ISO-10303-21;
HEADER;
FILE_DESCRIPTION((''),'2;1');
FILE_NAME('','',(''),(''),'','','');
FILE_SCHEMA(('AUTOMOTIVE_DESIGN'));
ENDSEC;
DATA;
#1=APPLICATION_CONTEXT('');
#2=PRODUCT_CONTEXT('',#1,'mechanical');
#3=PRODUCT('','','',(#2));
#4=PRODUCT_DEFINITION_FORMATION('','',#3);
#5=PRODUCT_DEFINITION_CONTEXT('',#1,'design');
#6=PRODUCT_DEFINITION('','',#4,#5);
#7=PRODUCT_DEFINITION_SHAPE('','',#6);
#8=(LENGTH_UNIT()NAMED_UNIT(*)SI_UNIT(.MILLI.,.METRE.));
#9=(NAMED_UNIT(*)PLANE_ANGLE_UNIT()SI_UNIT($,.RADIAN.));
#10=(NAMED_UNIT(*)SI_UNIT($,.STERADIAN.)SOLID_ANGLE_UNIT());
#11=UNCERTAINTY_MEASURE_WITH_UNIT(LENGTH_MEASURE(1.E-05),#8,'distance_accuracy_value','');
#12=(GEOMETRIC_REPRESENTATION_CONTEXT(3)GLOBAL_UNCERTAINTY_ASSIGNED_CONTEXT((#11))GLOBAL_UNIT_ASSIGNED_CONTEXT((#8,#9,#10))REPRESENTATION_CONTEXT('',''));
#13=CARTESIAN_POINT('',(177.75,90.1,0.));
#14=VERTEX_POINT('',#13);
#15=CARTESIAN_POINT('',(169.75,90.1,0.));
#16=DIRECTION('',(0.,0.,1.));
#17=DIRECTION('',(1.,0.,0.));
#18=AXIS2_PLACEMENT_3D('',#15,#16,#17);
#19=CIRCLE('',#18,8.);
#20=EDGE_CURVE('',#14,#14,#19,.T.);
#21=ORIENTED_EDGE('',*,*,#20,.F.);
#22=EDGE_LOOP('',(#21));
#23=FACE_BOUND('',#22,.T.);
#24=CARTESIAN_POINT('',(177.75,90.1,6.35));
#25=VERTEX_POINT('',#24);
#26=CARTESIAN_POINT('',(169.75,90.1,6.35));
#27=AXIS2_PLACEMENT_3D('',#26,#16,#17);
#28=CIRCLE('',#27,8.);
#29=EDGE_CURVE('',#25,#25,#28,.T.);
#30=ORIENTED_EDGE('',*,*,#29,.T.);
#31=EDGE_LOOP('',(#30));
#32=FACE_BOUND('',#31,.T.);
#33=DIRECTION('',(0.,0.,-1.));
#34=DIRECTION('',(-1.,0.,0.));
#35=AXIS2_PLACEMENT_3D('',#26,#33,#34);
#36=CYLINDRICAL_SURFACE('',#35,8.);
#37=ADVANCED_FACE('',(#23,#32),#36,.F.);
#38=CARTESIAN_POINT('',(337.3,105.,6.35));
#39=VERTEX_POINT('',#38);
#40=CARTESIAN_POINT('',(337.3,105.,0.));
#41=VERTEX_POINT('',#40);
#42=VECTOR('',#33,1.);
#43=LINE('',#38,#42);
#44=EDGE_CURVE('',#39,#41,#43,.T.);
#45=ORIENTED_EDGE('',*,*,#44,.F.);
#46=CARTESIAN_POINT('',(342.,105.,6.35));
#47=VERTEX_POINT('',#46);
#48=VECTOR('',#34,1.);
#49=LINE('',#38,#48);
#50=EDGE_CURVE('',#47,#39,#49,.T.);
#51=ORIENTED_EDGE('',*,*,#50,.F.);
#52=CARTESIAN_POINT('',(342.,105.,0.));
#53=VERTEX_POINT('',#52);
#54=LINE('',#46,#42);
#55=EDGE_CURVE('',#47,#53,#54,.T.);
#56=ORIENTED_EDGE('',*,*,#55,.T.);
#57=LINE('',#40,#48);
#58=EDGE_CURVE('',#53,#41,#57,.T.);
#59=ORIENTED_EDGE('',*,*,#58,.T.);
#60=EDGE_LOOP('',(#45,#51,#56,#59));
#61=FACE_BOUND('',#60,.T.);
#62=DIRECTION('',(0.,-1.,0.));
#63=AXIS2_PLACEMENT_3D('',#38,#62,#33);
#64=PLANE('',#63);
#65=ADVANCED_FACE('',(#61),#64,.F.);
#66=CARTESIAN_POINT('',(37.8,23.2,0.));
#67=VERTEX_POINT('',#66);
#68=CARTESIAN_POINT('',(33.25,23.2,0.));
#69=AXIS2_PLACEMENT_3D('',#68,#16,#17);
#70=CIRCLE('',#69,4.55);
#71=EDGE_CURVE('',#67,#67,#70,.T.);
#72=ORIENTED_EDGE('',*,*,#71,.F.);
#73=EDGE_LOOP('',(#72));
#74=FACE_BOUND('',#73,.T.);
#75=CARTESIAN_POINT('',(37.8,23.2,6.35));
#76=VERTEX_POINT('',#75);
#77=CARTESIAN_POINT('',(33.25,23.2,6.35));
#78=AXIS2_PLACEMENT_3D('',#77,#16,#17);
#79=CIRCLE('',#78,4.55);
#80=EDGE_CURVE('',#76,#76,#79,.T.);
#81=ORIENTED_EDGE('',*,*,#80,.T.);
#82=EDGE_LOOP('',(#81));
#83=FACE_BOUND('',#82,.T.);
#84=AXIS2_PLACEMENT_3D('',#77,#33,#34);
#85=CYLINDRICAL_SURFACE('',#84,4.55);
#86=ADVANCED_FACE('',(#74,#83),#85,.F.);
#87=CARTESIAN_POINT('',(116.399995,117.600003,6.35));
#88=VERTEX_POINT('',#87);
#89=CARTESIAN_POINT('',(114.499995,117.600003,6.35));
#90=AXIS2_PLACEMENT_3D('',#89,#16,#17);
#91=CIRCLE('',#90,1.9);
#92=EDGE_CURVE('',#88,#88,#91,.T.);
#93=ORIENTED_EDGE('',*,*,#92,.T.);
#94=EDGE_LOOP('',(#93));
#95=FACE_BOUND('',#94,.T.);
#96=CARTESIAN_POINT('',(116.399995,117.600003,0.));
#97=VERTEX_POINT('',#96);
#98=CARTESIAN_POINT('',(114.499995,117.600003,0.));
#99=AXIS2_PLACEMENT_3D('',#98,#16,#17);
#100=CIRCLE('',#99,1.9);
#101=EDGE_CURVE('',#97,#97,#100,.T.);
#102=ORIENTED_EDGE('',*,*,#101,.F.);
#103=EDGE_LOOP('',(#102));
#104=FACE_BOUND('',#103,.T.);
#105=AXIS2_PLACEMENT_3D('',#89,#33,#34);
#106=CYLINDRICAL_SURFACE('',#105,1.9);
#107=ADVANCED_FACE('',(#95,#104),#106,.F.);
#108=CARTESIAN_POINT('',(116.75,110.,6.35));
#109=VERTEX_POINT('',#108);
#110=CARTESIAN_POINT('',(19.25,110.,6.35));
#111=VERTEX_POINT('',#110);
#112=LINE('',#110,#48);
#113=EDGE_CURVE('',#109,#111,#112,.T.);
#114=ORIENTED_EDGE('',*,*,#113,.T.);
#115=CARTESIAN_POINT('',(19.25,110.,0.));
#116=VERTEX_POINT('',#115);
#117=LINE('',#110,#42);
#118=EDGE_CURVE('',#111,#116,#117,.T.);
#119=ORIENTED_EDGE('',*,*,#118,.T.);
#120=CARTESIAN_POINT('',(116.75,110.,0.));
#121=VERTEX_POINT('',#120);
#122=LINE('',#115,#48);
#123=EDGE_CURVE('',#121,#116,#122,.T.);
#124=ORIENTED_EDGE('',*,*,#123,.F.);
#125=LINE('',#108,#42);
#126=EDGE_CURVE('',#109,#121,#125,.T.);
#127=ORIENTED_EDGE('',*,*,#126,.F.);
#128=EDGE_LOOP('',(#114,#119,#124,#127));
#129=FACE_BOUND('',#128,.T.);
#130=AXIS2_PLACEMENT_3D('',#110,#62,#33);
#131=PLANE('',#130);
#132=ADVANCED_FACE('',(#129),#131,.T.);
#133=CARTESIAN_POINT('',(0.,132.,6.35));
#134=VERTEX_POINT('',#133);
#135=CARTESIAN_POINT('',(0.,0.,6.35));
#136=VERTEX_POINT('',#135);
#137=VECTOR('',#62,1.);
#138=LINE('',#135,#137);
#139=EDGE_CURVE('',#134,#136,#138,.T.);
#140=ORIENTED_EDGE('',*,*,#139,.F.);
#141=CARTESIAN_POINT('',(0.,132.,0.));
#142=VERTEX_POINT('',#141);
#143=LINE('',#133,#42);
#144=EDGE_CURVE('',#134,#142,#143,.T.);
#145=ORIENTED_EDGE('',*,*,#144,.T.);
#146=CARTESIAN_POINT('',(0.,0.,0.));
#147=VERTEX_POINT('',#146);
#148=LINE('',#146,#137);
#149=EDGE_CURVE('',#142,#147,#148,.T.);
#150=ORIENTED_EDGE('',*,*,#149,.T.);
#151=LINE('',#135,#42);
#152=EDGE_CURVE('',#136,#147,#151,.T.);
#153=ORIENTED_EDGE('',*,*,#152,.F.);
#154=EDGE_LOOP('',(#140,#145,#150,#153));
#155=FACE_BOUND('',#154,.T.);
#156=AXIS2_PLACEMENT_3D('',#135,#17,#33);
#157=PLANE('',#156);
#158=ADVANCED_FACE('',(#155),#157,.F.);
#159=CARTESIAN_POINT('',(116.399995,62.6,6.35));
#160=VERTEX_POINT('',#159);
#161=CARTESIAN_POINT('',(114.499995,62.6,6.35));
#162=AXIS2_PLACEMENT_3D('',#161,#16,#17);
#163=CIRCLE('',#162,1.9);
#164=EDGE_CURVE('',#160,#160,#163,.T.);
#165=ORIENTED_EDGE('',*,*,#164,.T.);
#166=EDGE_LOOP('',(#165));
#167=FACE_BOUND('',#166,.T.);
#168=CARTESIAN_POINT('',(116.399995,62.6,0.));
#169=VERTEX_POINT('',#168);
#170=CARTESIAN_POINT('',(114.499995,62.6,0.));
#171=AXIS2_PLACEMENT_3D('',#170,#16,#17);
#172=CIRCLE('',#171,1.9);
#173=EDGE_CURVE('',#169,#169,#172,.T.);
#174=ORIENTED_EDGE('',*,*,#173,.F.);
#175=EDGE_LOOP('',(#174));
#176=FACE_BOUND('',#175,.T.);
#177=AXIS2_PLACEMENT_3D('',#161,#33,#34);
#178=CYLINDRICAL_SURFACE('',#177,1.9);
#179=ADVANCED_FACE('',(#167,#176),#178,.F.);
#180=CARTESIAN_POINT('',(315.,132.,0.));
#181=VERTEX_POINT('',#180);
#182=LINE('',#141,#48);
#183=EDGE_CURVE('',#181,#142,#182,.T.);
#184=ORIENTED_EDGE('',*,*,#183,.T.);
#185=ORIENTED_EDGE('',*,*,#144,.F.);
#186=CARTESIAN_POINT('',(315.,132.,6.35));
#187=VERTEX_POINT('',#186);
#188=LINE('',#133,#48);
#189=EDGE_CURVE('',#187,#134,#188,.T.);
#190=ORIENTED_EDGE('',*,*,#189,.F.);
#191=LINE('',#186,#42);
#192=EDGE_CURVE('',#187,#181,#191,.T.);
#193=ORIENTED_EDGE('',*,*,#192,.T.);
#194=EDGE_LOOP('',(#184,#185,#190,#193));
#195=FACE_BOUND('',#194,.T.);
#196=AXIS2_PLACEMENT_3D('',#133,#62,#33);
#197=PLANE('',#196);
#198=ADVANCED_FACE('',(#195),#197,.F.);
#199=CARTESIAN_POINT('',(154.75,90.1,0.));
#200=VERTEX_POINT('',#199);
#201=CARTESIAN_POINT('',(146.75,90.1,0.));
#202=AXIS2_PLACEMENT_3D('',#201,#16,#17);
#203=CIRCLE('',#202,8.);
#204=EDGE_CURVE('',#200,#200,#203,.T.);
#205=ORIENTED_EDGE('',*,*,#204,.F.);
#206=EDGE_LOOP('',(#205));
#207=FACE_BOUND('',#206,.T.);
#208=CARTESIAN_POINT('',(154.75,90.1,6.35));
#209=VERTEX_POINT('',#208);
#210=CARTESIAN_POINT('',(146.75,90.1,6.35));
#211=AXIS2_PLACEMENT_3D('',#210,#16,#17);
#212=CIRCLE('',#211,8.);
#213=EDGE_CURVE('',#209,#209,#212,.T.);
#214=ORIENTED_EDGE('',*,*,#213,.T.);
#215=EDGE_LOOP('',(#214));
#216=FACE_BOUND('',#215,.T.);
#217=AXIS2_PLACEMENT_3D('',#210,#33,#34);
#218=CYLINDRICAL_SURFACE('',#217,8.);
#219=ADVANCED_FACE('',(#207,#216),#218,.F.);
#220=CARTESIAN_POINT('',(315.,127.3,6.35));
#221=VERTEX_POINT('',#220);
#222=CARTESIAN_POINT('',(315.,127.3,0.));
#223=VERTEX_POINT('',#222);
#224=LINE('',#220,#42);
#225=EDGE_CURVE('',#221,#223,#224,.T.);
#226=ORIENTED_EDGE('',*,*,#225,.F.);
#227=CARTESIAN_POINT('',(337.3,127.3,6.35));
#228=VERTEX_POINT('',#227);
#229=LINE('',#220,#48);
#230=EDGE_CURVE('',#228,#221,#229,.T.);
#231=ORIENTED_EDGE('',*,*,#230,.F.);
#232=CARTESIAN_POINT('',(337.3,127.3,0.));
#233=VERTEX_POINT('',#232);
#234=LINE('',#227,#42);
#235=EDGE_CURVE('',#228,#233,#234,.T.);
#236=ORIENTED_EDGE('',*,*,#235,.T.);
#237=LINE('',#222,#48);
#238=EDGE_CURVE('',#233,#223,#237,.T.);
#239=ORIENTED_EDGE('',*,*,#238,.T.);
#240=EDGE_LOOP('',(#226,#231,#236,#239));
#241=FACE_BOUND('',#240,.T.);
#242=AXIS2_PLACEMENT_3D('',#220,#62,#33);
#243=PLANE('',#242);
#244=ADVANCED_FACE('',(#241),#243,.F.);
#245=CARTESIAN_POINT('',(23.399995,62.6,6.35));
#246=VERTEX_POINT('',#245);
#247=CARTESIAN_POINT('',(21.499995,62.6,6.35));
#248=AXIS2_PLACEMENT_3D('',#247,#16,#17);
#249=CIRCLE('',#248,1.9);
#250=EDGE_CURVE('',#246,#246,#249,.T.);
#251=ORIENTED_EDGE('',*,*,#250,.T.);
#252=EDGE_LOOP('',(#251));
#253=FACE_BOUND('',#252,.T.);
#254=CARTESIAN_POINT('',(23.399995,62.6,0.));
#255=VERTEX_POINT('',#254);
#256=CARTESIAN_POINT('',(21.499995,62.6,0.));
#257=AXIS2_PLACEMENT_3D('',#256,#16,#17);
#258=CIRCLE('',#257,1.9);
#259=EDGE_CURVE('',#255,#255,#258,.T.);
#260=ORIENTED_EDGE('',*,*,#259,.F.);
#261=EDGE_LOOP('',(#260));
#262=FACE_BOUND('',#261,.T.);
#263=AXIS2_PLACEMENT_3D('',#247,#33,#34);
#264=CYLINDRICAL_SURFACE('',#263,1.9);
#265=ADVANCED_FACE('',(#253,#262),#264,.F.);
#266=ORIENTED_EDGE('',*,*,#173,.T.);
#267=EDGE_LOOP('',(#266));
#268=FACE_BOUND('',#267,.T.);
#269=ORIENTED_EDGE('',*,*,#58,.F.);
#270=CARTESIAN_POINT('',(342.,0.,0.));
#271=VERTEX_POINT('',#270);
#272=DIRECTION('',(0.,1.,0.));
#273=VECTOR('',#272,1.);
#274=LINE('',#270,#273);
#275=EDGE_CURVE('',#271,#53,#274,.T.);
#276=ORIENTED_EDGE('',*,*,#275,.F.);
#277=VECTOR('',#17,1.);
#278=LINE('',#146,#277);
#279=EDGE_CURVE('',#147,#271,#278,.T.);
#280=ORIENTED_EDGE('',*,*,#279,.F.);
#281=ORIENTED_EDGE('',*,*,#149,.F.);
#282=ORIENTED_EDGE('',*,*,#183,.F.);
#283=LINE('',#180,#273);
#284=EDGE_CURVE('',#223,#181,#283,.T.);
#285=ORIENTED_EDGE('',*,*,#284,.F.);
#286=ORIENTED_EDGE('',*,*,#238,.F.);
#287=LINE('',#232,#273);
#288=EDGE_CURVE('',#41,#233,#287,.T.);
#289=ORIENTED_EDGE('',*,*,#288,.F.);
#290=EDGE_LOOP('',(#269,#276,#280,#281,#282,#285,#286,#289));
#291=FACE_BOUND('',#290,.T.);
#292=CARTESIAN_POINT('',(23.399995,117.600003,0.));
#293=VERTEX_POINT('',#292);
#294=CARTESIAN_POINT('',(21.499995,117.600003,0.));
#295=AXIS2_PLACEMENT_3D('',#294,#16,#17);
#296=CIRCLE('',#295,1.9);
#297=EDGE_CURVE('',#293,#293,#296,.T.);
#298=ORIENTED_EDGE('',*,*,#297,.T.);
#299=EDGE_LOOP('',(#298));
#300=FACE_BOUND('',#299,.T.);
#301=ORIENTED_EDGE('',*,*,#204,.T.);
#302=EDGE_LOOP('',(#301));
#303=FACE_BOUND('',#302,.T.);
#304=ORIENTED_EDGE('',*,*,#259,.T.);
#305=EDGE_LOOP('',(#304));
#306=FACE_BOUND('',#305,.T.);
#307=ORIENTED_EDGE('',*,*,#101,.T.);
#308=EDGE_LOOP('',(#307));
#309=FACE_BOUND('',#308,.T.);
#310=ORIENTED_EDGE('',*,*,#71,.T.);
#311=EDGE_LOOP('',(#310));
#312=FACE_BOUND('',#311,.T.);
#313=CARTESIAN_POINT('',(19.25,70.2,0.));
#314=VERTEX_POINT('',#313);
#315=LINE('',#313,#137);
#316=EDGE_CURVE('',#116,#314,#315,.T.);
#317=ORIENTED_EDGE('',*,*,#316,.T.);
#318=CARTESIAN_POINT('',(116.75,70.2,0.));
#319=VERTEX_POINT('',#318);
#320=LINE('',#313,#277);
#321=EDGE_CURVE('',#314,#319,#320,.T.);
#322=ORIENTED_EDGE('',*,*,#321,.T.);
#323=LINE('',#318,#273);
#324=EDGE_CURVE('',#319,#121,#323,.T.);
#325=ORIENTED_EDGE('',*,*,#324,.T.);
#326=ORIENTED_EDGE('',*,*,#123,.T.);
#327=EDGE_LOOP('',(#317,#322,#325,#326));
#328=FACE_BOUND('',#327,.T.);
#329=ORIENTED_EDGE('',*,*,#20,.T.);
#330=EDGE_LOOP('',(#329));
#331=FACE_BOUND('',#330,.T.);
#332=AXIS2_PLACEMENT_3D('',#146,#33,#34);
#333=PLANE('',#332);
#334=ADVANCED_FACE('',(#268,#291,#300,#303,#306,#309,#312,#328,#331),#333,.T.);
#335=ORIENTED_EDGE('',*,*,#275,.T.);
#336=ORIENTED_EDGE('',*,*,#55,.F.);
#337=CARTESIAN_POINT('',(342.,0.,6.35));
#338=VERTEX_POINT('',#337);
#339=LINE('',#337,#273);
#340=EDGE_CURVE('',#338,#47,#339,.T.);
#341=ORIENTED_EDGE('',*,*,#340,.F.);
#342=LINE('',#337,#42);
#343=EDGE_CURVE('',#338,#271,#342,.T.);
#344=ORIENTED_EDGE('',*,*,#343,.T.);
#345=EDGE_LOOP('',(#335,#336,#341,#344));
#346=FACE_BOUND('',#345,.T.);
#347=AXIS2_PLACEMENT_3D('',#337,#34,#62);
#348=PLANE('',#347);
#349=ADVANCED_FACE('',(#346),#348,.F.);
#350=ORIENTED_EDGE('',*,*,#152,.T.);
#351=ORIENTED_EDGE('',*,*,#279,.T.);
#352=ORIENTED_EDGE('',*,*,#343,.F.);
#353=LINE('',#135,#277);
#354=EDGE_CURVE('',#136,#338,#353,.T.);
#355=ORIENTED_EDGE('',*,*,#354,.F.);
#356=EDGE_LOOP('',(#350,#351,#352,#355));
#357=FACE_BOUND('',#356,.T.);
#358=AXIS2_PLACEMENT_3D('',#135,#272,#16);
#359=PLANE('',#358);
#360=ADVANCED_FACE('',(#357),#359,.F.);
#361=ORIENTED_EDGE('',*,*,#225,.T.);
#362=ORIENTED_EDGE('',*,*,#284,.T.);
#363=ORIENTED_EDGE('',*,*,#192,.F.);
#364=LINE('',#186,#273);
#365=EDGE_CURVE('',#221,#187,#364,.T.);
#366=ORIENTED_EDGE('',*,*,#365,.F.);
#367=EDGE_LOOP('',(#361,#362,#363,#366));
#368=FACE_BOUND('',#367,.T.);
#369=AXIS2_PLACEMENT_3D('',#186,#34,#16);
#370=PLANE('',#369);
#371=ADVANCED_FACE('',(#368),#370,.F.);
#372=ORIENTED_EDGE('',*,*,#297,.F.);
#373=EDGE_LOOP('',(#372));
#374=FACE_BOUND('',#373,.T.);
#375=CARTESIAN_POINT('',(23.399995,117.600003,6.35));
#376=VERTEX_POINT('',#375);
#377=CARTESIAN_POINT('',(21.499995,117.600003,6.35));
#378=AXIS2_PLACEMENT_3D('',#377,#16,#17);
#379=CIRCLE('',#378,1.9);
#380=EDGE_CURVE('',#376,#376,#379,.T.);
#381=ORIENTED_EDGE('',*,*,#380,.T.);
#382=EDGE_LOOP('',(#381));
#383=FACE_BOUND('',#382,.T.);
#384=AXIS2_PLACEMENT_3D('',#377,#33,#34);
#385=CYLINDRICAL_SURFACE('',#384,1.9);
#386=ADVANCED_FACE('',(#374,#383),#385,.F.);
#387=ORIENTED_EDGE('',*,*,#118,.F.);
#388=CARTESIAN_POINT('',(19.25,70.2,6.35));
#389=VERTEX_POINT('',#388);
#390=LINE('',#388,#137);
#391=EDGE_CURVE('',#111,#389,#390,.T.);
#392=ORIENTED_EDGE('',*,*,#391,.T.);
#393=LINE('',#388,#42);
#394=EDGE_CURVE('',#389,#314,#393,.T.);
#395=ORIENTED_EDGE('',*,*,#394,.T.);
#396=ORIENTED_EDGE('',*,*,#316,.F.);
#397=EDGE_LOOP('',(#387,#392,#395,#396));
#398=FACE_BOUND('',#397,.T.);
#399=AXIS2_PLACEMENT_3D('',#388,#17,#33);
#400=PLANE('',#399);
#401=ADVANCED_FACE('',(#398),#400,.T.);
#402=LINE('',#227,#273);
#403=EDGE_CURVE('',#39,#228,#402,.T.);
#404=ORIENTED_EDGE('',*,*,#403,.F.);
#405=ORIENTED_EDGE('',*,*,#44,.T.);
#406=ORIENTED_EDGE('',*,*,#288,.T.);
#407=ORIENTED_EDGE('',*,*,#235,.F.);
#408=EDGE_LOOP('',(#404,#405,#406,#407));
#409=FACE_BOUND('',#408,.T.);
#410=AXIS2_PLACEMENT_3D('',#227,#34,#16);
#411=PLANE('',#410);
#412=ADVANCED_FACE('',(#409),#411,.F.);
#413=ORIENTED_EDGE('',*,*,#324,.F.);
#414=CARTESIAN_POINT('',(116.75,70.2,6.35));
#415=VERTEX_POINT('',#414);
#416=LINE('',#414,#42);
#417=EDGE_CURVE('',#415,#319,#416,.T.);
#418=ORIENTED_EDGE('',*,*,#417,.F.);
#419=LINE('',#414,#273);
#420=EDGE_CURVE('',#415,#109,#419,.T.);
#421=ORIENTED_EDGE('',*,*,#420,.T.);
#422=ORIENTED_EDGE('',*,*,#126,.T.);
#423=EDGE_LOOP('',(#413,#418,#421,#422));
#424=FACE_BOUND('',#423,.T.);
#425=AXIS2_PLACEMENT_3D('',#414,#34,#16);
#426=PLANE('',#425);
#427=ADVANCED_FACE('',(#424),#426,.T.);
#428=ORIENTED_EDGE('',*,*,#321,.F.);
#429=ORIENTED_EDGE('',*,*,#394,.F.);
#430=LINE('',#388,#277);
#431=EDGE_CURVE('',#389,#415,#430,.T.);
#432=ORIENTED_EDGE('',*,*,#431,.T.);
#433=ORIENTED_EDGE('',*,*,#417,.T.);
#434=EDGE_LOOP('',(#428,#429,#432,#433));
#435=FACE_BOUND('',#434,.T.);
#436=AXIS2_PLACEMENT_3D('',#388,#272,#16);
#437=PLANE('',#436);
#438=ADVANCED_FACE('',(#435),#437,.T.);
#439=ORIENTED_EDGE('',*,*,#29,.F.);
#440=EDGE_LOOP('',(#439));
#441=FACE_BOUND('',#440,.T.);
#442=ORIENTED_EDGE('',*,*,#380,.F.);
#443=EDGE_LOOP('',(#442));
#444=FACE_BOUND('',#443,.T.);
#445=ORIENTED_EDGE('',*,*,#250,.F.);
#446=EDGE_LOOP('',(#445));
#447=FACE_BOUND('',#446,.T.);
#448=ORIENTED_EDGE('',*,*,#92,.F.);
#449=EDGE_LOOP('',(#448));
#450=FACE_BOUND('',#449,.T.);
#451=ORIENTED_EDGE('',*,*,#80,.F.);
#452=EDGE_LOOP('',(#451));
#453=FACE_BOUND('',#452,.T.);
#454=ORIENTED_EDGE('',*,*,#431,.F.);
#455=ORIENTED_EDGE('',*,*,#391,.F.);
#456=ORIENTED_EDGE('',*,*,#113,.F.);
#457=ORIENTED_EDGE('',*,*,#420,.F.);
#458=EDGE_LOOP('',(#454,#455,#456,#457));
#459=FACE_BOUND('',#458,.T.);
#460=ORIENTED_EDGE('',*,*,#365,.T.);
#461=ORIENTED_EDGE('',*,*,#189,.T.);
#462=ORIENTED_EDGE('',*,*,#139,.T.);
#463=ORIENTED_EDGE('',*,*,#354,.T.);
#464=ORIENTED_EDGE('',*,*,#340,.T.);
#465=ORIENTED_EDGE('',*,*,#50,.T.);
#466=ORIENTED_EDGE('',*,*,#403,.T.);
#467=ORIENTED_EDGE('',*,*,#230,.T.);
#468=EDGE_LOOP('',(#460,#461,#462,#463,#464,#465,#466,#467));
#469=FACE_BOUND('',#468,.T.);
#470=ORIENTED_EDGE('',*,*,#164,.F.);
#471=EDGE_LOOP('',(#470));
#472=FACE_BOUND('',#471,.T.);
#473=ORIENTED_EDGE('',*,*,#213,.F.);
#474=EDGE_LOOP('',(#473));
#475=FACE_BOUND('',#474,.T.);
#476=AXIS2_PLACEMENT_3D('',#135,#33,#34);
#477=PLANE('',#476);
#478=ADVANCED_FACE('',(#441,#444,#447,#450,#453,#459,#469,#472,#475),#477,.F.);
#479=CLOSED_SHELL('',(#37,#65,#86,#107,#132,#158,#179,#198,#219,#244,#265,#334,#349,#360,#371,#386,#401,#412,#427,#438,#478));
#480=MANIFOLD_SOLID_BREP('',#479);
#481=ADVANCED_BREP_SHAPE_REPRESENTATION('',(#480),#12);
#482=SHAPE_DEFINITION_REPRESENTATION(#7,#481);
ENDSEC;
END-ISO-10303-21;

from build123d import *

# Parameters (mm, degrees)
SKETCH1_R           = 1.9
SKETCH1_R_2         = 8
SKETCH1_R_3         = 4.55
SKETCH1_W           = 97.5
SKETCH1_H           = 39.8
BOSS_EXTRUDE1_DEPTH = 6.35


with BuildPart() as part:
    # Sketch1 → Boss-Extrude1 (new body)
    with BuildSketch(Plane.XY):
        Polygon((0, 0), (342, 0), (342, 105), (337.3, 105), (337.3, 127.3), (315, 127.3), (315, 132), (0, 132), align=None)
        with Locations((114.499995121, 117.600002885)):
            Circle(SKETCH1_R, mode=Mode.SUBTRACT)
        with Locations((114.499995121, 62.6)):
            Circle(SKETCH1_R, mode=Mode.SUBTRACT)
        with Locations((21.499995121, 62.6)):
            Circle(SKETCH1_R, mode=Mode.SUBTRACT)
        with Locations((21.499995121, 117.600002885)):
            Circle(SKETCH1_R, mode=Mode.SUBTRACT)
        with Locations((146.75, 90.1)):
            Circle(SKETCH1_R_2, mode=Mode.SUBTRACT)
        with Locations((169.75, 90.1)):
            Circle(SKETCH1_R_2, mode=Mode.SUBTRACT)
        with Locations((33.25, 23.2)):
            Circle(SKETCH1_R_3, mode=Mode.SUBTRACT)
        with Locations((68, 90.1)):
            Rectangle(SKETCH1_W, SKETCH1_H, mode=Mode.SUBTRACT)
    extrude(amount=BOSS_EXTRUDE1_DEPTH)


solid = part.part
